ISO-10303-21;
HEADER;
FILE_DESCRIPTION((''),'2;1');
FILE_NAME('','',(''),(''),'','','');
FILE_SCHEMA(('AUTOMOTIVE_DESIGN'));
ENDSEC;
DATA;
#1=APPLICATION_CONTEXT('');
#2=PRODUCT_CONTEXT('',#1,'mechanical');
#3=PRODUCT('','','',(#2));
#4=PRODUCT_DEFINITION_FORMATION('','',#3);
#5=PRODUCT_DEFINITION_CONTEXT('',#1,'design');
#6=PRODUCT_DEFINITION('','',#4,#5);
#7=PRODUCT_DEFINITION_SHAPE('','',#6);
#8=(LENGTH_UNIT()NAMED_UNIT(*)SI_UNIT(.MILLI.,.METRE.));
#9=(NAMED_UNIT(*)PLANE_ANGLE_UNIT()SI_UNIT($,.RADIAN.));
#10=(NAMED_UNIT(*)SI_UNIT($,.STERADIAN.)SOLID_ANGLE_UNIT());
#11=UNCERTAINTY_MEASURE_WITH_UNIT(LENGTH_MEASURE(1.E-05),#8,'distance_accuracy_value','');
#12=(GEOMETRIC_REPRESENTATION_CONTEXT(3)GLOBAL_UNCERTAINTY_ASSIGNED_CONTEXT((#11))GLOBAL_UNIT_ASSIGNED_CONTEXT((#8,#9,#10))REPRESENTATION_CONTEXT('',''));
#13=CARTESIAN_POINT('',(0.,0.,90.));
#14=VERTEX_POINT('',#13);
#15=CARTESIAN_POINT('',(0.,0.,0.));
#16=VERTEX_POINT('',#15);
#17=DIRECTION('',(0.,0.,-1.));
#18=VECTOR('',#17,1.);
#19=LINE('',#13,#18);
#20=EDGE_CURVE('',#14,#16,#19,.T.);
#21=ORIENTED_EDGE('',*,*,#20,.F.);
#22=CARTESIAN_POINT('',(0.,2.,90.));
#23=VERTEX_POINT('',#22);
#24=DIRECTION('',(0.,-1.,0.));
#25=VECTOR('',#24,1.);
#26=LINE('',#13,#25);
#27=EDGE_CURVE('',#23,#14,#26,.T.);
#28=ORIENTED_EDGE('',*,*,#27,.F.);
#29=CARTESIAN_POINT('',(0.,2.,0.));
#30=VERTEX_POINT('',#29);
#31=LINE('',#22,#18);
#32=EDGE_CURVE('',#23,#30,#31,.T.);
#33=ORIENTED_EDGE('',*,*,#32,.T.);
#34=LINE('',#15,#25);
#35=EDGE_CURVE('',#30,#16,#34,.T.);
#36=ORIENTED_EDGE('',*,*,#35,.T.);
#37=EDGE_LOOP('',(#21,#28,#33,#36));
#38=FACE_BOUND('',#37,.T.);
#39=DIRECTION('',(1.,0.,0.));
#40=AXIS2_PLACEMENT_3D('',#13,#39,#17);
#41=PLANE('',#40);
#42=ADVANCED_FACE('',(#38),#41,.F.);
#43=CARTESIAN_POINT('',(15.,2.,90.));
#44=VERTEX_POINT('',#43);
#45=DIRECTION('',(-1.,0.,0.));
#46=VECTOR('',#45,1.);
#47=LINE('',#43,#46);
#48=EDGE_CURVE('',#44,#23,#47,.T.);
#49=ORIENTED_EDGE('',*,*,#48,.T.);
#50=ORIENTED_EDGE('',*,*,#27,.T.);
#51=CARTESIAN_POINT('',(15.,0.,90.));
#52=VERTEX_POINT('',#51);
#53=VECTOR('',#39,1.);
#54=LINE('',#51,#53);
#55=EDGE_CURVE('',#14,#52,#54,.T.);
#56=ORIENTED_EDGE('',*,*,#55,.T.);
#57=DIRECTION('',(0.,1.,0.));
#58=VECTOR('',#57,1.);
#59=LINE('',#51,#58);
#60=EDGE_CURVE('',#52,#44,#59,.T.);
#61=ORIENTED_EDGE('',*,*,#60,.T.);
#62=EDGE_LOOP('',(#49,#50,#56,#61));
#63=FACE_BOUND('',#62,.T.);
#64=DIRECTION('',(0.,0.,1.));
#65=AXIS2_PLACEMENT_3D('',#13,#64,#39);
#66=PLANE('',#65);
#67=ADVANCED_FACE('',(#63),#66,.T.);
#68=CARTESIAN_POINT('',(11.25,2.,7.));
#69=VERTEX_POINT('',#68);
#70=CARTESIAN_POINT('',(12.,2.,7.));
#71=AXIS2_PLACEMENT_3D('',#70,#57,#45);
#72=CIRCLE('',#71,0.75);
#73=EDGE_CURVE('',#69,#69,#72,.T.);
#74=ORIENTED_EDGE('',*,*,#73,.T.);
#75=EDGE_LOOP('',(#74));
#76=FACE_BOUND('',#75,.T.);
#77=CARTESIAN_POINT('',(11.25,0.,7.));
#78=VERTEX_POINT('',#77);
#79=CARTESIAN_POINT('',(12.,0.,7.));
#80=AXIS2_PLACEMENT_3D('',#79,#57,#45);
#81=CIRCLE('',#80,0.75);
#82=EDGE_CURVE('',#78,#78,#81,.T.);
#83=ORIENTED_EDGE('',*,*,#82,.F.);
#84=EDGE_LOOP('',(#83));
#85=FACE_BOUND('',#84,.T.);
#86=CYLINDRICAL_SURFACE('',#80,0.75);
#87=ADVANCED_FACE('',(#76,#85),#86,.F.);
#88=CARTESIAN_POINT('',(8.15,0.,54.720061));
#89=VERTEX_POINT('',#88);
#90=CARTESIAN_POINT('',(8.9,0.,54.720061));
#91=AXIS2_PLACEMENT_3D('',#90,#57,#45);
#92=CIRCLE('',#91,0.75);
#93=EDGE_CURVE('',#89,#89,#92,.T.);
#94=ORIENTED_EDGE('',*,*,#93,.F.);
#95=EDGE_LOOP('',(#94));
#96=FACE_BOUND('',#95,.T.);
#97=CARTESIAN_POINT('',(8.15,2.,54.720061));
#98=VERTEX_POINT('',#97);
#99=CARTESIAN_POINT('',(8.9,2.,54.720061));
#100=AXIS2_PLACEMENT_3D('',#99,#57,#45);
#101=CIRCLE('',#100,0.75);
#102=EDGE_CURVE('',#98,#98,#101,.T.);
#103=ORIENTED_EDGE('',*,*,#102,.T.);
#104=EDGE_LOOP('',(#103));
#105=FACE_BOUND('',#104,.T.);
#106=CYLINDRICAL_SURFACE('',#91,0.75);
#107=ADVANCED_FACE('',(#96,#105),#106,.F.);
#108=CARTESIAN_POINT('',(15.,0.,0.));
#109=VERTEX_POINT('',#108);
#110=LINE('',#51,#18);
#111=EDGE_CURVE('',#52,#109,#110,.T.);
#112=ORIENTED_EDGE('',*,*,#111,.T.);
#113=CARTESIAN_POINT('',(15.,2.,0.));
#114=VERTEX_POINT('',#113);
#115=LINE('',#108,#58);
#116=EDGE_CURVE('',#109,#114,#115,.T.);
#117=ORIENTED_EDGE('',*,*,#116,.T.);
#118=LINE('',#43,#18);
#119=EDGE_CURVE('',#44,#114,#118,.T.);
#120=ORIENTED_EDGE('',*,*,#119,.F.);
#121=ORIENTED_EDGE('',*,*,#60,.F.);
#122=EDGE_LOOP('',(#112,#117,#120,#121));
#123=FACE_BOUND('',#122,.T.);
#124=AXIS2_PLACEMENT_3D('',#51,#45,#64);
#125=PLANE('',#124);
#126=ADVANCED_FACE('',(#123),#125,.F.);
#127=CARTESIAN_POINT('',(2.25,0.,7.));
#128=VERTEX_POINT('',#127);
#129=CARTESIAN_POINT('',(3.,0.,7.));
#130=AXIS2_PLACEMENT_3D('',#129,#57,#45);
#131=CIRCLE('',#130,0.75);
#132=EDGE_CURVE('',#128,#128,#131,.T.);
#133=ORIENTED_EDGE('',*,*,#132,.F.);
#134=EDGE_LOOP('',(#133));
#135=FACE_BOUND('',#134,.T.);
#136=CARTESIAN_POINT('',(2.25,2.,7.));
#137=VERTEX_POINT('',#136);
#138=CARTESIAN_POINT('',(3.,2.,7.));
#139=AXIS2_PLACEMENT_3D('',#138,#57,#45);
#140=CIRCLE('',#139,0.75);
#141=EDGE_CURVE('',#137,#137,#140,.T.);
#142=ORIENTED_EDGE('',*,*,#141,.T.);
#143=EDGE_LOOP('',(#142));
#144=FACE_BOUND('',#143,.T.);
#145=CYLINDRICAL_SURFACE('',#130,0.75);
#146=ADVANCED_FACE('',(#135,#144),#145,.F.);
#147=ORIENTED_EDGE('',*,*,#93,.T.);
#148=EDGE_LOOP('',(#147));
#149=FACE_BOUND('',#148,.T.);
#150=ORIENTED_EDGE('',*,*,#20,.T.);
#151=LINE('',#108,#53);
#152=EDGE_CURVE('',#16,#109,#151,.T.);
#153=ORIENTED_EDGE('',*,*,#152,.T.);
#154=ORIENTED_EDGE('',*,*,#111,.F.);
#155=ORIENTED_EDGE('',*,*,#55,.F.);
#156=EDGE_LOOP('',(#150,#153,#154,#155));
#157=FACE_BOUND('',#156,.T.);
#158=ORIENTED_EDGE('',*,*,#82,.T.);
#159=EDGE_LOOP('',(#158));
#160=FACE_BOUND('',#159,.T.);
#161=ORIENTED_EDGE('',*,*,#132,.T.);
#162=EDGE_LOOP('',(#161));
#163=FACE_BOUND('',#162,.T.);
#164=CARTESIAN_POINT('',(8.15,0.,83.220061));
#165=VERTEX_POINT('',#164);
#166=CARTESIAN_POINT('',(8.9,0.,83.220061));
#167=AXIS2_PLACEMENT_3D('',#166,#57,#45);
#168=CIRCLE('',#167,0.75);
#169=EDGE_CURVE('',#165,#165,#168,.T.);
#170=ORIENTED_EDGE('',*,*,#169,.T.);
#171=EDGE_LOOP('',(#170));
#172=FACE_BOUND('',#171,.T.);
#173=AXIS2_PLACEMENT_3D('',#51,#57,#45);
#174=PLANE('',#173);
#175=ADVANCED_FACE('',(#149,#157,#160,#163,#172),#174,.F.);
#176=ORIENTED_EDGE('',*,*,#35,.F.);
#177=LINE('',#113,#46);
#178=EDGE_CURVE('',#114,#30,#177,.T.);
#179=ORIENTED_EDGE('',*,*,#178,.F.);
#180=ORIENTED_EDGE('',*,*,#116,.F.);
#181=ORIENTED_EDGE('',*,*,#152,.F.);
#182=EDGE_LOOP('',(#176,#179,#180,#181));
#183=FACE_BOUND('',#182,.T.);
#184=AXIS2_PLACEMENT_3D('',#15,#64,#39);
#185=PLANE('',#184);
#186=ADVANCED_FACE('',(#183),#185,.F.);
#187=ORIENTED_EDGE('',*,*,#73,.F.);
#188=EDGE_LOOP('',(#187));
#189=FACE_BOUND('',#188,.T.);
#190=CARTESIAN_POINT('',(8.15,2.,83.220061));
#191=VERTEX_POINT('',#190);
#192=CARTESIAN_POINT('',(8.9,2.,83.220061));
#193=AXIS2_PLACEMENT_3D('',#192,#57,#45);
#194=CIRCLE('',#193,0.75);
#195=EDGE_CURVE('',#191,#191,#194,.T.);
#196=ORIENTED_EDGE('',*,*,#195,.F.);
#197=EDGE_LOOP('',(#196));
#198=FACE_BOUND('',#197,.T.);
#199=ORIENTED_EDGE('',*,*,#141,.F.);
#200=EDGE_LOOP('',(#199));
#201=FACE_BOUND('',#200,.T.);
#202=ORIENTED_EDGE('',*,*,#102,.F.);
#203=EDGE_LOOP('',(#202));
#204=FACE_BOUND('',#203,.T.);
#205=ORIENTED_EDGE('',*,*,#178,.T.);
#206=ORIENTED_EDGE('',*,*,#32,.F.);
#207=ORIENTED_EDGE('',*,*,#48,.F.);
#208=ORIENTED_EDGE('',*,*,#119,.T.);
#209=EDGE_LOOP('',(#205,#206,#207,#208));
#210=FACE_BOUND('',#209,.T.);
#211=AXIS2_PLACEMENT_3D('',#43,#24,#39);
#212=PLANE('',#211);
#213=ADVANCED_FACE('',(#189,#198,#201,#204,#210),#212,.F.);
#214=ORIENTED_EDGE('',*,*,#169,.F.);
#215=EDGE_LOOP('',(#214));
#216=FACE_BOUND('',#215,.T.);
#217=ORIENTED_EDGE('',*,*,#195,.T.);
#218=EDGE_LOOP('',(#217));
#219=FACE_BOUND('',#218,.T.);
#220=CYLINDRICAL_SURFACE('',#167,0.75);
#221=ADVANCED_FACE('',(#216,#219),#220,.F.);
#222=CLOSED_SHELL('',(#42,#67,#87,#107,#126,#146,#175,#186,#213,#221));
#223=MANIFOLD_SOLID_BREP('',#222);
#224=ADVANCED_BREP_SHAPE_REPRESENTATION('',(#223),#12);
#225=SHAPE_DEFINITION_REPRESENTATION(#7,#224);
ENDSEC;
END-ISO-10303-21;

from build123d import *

# Parameters (mm, degrees)
SKETCH1_W           = 15
SKETCH1_H           = 2
BOSS_EXTRUDE1_DEPTH = 90
SKETCH3_R           = 0.75
CUT_EXTRUDE1_DEPTH  = 92.263355187


with BuildPart() as part:
    # Sketch1 → Boss-Extrude1 (new body)
    with BuildSketch(Plane.XY):
        with Locations((7.5, 1)):
            Rectangle(SKETCH1_W, SKETCH1_H)
    extrude(amount=BOSS_EXTRUDE1_DEPTH)

    # Sketch3 → Cut-Extrude1 (cut, through all)
    with BuildSketch(Plane(origin=(0, 2, 0), x_dir=(1, 0, 0), z_dir=(0, 1, 0))):
        with Locations(Location((8.9, -83.220061422, 0), (0, 0, 180))):
            Circle(SKETCH3_R)
        with Locations(Location((8.9, -54.720061422, 0), (0, 0, 180))):
            Circle(SKETCH3_R)
        with Locations(Location((12, -7, 0), (0, 0, 180))):
            Circle(SKETCH3_R)
        with Locations(Location((3, -7, 0), (0, 0, 180))):
            Circle(SKETCH3_R)
    extrude(amount=-CUT_EXTRUDE1_DEPTH, mode=Mode.SUBTRACT)


solid = part.part
